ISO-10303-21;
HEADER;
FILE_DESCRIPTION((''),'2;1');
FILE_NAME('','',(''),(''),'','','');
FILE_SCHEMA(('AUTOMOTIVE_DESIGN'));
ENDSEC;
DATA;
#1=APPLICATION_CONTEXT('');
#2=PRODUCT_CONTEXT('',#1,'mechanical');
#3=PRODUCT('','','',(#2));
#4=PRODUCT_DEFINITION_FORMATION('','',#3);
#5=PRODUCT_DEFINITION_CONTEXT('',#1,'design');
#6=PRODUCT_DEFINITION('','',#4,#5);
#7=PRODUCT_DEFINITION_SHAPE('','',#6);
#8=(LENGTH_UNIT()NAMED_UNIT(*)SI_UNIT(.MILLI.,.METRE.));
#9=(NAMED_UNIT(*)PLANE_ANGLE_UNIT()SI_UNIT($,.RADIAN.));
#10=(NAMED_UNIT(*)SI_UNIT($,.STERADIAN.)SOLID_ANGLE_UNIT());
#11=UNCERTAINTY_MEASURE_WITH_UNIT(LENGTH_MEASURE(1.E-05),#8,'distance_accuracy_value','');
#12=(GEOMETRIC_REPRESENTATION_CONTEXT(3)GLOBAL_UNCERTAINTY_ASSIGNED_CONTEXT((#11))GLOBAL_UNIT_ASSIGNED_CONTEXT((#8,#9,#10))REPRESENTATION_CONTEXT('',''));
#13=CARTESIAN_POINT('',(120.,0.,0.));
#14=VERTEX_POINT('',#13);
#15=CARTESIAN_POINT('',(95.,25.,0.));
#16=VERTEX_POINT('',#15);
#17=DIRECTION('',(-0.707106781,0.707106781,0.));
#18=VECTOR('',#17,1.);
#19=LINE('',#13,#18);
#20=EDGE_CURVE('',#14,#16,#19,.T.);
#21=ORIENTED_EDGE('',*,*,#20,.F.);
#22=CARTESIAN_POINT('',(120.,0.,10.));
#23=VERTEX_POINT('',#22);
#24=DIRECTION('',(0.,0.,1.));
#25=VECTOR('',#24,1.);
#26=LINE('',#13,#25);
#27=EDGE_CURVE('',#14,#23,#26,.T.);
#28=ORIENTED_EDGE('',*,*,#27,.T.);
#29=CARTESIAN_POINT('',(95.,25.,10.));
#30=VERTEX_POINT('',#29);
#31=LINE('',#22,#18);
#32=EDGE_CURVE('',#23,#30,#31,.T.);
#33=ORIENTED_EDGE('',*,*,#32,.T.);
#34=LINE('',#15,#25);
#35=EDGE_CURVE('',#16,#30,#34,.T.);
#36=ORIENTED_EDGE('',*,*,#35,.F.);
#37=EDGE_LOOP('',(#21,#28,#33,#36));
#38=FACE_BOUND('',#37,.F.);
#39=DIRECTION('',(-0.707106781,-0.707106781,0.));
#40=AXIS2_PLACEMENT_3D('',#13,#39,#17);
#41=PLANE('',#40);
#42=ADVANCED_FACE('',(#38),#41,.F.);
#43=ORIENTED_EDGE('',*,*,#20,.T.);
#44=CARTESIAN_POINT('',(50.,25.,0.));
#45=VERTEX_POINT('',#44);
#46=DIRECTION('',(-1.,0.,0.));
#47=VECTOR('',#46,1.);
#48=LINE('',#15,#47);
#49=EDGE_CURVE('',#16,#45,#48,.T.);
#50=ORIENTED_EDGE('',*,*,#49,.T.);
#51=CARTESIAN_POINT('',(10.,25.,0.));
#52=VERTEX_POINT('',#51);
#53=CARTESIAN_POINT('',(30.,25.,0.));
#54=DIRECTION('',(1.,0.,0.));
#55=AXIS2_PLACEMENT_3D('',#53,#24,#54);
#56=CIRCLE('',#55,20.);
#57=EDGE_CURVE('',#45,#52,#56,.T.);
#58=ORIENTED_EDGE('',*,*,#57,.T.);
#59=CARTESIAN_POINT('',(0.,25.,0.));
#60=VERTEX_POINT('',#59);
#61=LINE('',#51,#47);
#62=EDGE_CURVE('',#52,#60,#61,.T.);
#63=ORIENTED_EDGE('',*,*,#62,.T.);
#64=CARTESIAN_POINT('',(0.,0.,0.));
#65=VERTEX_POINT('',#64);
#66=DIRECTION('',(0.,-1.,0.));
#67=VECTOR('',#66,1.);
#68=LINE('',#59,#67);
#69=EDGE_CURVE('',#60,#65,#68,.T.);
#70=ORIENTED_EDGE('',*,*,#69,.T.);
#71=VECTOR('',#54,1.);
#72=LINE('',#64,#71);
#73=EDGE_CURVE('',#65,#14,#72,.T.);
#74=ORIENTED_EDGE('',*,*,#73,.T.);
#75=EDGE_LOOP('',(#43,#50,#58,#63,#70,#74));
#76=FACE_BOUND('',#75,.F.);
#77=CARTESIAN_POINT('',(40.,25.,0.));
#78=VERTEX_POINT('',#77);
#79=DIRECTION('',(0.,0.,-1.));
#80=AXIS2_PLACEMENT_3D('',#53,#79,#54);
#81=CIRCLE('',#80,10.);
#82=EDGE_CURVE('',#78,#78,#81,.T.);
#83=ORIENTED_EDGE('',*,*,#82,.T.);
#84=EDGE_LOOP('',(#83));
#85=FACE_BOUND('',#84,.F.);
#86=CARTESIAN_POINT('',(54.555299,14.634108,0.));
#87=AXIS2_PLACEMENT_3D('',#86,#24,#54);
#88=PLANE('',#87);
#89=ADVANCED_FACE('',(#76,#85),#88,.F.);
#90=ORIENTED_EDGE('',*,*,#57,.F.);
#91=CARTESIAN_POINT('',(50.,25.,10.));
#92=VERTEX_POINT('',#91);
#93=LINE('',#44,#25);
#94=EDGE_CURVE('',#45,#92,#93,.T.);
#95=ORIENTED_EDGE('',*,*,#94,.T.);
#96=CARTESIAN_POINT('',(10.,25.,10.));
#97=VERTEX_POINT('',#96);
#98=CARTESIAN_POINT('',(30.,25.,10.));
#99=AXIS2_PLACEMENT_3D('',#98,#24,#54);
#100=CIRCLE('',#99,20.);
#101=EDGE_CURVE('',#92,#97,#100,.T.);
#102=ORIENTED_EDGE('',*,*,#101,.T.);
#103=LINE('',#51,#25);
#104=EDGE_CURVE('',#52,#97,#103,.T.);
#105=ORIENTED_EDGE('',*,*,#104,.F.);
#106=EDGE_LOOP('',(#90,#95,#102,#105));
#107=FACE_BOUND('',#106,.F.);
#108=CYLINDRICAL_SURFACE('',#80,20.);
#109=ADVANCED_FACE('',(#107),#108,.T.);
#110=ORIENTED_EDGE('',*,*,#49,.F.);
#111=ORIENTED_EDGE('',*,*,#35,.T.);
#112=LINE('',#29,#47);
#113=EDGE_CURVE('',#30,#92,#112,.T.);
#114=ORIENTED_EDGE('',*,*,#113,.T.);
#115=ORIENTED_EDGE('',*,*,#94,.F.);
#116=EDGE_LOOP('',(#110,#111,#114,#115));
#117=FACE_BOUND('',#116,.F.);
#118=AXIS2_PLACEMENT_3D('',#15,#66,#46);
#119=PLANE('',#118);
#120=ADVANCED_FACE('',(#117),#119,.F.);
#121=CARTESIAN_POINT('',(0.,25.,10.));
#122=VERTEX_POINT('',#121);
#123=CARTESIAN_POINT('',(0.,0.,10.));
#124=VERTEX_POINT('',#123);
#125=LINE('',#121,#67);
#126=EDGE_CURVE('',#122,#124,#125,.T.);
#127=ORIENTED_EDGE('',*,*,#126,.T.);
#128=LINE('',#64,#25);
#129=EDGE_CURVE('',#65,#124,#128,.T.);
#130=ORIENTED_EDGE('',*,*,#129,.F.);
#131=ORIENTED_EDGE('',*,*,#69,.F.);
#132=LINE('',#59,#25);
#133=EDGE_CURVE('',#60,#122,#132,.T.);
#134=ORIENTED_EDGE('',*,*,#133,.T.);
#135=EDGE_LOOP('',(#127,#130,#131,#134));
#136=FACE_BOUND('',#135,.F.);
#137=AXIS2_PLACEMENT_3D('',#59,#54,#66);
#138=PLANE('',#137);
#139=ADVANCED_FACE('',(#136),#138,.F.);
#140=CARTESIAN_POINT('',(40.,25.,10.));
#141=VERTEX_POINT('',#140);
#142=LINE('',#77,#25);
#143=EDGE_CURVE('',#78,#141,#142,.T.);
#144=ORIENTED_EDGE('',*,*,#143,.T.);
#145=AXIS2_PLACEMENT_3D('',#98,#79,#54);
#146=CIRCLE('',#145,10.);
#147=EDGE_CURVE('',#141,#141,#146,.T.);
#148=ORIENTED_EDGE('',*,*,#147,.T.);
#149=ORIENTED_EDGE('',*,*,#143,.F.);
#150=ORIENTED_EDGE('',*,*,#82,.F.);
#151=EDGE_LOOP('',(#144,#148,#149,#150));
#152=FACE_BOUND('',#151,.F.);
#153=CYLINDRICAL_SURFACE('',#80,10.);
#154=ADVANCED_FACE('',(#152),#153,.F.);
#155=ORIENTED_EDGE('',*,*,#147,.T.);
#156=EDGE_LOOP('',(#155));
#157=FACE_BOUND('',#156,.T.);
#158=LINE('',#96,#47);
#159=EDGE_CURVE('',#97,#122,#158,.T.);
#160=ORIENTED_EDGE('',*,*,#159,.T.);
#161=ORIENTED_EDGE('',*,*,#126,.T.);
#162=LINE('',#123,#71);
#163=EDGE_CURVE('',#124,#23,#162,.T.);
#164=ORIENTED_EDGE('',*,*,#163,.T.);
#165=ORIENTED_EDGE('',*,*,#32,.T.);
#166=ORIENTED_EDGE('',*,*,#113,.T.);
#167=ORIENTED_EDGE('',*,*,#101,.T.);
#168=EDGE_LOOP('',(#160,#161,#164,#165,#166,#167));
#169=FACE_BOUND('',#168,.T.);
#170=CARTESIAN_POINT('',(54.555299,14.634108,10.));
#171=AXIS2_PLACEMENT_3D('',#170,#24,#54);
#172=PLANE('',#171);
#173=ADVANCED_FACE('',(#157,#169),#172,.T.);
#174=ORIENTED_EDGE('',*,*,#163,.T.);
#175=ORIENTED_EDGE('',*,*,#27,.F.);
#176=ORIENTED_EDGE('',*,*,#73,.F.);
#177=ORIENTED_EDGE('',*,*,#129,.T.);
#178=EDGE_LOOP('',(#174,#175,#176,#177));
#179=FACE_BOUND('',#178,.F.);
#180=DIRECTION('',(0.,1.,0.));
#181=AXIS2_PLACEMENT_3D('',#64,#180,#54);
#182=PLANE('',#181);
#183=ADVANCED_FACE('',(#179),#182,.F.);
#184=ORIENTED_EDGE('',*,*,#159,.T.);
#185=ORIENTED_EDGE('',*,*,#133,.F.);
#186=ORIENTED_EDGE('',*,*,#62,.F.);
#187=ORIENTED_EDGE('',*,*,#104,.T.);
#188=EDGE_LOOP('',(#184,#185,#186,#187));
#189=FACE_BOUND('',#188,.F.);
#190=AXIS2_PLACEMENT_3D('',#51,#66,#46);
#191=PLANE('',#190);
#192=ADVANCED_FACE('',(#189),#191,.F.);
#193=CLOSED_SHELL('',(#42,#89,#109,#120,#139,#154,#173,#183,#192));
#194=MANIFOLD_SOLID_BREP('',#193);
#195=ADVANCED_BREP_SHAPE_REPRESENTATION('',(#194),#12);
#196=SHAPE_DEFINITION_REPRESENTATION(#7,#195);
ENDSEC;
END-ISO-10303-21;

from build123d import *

# Parameters (mm, degrees)
F1_DEPTH = 10


with BuildPart() as f1:
    # F0 (on Top) → F1 (new body)
    with BuildSketch(Plane.XY):
        with BuildLine():
            Line((0, 25), (0, 0))
            Line((0, 0), (120, 0))
            Line((120, 0), (95, 25))
            Line((95, 25), (50, 25))
            ThreePointArc((50, 25), (30, 45), (10, 25))
            Line((10, 25), (0, 25))
        make_face()
        with BuildLine():
            ThreePointArc((20, 25), (30, 35), (40, 25))
            ThreePointArc((40, 25), (30, 15), (20, 25))
        make_face(mode=Mode.SUBTRACT)
    extrude(amount=F1_DEPTH)


solid = f1.part
